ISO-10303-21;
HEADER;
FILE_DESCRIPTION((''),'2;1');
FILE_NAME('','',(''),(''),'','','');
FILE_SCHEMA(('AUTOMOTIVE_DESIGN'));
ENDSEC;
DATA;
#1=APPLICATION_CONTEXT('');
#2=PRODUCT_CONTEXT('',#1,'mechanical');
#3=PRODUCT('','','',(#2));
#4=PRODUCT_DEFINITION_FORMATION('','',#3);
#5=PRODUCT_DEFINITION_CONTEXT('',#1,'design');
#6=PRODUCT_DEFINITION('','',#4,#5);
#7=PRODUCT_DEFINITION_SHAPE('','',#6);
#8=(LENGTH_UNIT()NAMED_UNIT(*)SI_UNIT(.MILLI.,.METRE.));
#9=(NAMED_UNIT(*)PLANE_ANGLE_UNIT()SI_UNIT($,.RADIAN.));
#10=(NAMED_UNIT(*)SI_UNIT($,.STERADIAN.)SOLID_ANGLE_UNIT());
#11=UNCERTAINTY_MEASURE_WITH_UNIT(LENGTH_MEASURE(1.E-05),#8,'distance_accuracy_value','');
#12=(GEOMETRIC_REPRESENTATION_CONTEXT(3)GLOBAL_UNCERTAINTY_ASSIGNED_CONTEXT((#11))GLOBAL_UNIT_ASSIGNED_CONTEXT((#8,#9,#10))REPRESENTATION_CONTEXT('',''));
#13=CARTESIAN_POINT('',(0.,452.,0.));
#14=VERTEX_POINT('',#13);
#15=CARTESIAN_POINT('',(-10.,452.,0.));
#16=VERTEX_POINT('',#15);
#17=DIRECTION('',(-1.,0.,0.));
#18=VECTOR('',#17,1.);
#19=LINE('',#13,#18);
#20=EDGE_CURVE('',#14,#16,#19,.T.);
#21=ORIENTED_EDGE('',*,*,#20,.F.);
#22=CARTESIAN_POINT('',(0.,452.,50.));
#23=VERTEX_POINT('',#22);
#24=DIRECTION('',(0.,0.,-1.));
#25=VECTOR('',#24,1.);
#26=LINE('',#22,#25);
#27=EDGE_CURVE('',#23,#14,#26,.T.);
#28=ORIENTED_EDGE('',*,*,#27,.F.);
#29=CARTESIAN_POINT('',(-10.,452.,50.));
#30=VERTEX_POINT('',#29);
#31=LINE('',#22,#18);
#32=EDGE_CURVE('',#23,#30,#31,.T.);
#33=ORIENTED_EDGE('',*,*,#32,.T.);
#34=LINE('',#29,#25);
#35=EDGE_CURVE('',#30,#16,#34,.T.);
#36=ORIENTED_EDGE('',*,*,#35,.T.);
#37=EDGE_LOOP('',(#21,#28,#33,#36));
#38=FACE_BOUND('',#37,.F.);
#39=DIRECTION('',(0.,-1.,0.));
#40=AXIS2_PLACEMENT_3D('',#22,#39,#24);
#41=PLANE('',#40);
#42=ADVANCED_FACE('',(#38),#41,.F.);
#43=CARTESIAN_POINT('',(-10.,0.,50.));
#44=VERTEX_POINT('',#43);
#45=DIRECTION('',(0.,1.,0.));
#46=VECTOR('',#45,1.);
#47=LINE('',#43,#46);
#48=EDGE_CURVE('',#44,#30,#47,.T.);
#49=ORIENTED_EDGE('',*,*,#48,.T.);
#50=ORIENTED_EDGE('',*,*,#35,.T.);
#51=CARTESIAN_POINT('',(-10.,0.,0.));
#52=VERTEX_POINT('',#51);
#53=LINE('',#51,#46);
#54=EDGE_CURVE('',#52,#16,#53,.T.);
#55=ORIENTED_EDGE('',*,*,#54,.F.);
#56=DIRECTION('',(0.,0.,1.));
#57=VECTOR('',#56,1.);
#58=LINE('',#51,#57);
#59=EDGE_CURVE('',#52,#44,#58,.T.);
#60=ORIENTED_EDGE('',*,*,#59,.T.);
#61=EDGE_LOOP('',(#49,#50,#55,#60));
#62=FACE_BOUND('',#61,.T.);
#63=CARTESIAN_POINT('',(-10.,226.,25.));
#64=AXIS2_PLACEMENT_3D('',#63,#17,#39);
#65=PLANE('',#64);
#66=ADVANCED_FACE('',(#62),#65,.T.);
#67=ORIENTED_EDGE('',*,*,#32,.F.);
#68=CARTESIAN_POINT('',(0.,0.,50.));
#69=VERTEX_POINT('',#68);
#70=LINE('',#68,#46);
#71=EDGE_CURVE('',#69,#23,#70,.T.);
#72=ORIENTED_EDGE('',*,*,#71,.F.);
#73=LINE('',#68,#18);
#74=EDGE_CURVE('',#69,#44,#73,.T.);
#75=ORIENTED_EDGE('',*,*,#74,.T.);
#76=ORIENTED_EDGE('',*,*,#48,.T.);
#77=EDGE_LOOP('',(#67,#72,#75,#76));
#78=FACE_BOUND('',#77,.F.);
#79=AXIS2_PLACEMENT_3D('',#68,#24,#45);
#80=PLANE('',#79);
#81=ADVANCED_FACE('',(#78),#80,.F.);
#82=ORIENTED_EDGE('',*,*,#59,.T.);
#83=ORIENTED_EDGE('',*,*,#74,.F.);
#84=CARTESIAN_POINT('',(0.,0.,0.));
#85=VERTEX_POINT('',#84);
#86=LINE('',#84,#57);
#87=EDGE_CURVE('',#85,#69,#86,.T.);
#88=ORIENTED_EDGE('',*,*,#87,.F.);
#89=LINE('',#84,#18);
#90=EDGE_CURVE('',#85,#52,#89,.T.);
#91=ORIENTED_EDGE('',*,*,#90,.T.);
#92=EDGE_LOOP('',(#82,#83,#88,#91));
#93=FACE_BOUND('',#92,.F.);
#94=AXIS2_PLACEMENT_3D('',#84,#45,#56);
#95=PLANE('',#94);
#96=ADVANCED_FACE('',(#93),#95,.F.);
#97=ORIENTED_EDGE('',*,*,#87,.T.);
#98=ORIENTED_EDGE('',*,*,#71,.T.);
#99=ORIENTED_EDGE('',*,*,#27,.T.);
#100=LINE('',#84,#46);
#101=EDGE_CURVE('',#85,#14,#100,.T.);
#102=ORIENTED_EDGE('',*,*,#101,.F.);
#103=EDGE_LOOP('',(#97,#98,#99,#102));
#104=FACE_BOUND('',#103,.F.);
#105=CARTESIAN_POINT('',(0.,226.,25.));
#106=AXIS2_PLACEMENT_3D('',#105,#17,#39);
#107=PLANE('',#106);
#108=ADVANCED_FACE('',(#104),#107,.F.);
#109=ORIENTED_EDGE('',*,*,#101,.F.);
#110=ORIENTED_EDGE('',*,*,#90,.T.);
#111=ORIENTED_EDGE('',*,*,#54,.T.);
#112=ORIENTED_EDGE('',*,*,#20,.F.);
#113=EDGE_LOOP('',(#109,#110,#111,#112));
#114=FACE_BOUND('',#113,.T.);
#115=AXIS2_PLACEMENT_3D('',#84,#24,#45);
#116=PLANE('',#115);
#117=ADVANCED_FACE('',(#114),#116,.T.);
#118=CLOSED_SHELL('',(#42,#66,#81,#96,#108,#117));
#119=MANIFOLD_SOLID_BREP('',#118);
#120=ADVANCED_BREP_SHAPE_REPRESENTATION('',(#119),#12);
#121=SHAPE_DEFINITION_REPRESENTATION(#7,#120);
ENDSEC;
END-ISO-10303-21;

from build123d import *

# Parameters (mm, degrees)
PAD_DEPTH = 10


with BuildPart() as part:
    # Sketch → Pad (new body)
    with BuildSketch(Plane.YZ):
        Polygon((0, 0), (0, 50), (452, 50), (452, 0), (226, 0), align=None)
    extrude(amount=-PAD_DEPTH)


solid = part.part
